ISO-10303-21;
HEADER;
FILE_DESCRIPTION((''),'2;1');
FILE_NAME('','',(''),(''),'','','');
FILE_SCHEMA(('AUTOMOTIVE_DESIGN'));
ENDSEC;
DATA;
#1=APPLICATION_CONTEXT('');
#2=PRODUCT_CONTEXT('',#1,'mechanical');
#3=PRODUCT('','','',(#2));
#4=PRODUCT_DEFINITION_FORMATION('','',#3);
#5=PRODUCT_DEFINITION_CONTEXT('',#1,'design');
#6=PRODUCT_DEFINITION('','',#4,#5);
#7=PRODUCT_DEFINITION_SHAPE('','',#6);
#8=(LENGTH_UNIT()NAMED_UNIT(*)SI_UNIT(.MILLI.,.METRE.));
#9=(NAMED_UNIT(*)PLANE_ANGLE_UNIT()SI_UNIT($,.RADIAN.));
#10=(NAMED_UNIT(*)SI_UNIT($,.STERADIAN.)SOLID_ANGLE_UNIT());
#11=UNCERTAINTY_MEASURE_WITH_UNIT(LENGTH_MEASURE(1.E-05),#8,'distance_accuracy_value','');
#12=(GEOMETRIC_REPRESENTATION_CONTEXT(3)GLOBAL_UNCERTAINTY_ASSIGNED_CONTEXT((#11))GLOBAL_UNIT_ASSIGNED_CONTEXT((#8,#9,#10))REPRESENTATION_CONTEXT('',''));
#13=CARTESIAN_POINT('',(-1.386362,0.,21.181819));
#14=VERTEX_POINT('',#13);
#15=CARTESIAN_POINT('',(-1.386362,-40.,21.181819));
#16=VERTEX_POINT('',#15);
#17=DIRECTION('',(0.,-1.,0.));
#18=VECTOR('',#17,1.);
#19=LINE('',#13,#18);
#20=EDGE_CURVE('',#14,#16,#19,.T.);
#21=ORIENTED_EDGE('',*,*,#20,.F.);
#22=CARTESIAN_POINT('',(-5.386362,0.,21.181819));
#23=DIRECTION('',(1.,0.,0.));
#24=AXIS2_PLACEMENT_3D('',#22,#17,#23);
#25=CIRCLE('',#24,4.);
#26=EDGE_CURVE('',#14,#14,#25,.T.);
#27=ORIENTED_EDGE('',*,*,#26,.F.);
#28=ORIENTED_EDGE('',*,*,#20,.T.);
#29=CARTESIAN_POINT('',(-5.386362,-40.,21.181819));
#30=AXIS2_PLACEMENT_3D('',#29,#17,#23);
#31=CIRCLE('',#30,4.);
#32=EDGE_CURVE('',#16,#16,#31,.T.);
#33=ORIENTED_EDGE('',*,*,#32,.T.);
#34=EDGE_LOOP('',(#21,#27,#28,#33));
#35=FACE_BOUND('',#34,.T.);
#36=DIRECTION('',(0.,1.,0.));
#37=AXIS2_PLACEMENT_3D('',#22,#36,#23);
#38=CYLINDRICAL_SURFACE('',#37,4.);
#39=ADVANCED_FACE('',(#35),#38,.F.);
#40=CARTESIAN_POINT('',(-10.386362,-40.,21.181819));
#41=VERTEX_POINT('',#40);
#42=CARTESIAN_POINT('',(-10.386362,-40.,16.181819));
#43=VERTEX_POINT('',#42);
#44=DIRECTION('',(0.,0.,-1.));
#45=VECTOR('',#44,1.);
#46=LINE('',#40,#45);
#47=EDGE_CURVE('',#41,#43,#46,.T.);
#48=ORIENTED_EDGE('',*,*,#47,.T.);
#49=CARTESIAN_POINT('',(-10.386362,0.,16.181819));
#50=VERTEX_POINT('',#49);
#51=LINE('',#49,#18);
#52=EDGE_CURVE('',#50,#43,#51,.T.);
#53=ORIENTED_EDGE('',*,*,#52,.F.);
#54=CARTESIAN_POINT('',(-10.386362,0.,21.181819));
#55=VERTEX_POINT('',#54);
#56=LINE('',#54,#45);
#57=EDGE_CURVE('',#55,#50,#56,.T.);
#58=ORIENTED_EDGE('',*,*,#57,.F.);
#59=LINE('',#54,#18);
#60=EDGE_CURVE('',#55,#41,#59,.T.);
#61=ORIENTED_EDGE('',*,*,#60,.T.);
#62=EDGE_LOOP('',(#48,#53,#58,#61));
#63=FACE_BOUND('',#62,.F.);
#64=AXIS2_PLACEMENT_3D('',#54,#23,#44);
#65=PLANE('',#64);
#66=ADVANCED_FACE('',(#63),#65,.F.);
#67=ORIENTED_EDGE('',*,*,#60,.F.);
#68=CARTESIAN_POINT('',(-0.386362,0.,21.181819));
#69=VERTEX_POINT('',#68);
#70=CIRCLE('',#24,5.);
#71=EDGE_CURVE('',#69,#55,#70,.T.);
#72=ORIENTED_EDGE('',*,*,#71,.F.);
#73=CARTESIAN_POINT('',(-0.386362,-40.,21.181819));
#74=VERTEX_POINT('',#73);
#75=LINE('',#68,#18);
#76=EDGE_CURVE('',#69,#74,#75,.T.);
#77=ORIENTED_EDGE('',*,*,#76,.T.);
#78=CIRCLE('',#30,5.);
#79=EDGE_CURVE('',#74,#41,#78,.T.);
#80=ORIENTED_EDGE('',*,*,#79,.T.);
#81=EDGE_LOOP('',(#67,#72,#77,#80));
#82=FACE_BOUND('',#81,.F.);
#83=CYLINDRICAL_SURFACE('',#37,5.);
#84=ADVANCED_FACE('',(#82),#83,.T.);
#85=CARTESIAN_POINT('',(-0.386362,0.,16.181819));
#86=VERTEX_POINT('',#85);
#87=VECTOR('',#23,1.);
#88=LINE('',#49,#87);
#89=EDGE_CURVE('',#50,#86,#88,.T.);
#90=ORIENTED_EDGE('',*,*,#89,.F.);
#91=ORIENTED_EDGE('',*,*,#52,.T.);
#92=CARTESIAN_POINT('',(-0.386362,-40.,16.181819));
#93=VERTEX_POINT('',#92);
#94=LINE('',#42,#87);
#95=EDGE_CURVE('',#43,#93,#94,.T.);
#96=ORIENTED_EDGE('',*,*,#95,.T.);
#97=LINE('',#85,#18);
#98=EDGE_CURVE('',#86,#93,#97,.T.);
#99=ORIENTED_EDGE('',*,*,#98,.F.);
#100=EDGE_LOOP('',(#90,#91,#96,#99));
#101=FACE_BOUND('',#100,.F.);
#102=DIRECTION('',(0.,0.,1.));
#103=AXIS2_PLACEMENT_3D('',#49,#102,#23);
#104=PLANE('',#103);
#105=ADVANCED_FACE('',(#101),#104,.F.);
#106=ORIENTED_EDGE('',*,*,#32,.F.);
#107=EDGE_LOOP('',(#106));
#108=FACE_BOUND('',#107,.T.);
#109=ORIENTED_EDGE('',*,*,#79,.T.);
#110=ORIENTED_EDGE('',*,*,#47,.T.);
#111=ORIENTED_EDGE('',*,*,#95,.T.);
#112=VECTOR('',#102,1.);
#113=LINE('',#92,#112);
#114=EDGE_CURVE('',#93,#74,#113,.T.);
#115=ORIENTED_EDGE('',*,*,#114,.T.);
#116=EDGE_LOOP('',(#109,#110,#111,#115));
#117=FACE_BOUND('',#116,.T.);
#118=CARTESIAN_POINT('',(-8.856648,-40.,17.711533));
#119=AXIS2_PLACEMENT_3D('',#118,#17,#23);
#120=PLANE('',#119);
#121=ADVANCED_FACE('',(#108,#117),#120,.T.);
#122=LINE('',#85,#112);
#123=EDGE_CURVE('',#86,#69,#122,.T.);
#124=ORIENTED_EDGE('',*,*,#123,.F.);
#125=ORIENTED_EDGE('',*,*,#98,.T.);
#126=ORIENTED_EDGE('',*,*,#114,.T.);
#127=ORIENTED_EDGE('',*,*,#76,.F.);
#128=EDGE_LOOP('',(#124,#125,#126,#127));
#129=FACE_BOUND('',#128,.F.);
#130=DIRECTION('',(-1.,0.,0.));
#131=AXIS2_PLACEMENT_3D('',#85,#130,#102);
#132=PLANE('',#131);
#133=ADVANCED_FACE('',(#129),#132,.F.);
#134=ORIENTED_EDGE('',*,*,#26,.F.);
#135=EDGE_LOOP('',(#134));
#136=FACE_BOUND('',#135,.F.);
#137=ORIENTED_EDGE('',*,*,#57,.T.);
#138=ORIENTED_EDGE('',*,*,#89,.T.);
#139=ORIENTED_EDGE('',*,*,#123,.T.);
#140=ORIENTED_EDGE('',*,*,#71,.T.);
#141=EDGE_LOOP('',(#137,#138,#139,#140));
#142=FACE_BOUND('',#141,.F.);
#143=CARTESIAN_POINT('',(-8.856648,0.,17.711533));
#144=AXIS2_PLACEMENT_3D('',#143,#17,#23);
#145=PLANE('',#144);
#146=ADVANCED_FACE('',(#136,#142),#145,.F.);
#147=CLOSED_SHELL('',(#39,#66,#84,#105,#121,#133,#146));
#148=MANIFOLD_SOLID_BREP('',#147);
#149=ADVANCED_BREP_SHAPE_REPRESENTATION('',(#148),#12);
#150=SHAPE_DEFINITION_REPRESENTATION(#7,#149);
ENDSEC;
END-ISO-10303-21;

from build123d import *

# Parameters (mm, degrees)
F0_R     = 4
F1_DEPTH = 40


with BuildPart() as f1:
    # F0 (on Front) → F1 (new body)
    with BuildSketch(Plane.XZ):
        with BuildLine():
            ThreePointArc((-5.386362, 16.181819), (-8.921896, 17.646285), (-10.386362, 21.181819))
            Line((-10.386362, 21.181819), (-10.386362, 16.181819))
            Line((-10.386362, 16.181819), (-5.386362, 16.181819))
        make_face()
        with BuildLine():
            ThreePointArc((-5.386362, 16.181819), (-1.850828, 17.646285), (-0.386362, 21.181819))
            ThreePointArc((-0.386362, 21.181819), (-5.386362, 26.181819), (-10.386362, 21.181819))
            ThreePointArc((-10.386362, 21.181819), (-8.921896, 17.646285), (-5.386362, 16.181819))
        make_face()
        with Locations((-5.386362, 21.181819)):
            Circle(F0_R, mode=Mode.SUBTRACT)
        with BuildLine():
            Line((-0.386362, 16.181819), (-0.386362, 21.181819))
            ThreePointArc((-0.386362, 21.181819), (-1.850828, 17.646285), (-5.386362, 16.181819))
            Line((-5.386362, 16.181819), (-0.386362, 16.181819))
        make_face()
    extrude(amount=F1_DEPTH)


solid = f1.part
